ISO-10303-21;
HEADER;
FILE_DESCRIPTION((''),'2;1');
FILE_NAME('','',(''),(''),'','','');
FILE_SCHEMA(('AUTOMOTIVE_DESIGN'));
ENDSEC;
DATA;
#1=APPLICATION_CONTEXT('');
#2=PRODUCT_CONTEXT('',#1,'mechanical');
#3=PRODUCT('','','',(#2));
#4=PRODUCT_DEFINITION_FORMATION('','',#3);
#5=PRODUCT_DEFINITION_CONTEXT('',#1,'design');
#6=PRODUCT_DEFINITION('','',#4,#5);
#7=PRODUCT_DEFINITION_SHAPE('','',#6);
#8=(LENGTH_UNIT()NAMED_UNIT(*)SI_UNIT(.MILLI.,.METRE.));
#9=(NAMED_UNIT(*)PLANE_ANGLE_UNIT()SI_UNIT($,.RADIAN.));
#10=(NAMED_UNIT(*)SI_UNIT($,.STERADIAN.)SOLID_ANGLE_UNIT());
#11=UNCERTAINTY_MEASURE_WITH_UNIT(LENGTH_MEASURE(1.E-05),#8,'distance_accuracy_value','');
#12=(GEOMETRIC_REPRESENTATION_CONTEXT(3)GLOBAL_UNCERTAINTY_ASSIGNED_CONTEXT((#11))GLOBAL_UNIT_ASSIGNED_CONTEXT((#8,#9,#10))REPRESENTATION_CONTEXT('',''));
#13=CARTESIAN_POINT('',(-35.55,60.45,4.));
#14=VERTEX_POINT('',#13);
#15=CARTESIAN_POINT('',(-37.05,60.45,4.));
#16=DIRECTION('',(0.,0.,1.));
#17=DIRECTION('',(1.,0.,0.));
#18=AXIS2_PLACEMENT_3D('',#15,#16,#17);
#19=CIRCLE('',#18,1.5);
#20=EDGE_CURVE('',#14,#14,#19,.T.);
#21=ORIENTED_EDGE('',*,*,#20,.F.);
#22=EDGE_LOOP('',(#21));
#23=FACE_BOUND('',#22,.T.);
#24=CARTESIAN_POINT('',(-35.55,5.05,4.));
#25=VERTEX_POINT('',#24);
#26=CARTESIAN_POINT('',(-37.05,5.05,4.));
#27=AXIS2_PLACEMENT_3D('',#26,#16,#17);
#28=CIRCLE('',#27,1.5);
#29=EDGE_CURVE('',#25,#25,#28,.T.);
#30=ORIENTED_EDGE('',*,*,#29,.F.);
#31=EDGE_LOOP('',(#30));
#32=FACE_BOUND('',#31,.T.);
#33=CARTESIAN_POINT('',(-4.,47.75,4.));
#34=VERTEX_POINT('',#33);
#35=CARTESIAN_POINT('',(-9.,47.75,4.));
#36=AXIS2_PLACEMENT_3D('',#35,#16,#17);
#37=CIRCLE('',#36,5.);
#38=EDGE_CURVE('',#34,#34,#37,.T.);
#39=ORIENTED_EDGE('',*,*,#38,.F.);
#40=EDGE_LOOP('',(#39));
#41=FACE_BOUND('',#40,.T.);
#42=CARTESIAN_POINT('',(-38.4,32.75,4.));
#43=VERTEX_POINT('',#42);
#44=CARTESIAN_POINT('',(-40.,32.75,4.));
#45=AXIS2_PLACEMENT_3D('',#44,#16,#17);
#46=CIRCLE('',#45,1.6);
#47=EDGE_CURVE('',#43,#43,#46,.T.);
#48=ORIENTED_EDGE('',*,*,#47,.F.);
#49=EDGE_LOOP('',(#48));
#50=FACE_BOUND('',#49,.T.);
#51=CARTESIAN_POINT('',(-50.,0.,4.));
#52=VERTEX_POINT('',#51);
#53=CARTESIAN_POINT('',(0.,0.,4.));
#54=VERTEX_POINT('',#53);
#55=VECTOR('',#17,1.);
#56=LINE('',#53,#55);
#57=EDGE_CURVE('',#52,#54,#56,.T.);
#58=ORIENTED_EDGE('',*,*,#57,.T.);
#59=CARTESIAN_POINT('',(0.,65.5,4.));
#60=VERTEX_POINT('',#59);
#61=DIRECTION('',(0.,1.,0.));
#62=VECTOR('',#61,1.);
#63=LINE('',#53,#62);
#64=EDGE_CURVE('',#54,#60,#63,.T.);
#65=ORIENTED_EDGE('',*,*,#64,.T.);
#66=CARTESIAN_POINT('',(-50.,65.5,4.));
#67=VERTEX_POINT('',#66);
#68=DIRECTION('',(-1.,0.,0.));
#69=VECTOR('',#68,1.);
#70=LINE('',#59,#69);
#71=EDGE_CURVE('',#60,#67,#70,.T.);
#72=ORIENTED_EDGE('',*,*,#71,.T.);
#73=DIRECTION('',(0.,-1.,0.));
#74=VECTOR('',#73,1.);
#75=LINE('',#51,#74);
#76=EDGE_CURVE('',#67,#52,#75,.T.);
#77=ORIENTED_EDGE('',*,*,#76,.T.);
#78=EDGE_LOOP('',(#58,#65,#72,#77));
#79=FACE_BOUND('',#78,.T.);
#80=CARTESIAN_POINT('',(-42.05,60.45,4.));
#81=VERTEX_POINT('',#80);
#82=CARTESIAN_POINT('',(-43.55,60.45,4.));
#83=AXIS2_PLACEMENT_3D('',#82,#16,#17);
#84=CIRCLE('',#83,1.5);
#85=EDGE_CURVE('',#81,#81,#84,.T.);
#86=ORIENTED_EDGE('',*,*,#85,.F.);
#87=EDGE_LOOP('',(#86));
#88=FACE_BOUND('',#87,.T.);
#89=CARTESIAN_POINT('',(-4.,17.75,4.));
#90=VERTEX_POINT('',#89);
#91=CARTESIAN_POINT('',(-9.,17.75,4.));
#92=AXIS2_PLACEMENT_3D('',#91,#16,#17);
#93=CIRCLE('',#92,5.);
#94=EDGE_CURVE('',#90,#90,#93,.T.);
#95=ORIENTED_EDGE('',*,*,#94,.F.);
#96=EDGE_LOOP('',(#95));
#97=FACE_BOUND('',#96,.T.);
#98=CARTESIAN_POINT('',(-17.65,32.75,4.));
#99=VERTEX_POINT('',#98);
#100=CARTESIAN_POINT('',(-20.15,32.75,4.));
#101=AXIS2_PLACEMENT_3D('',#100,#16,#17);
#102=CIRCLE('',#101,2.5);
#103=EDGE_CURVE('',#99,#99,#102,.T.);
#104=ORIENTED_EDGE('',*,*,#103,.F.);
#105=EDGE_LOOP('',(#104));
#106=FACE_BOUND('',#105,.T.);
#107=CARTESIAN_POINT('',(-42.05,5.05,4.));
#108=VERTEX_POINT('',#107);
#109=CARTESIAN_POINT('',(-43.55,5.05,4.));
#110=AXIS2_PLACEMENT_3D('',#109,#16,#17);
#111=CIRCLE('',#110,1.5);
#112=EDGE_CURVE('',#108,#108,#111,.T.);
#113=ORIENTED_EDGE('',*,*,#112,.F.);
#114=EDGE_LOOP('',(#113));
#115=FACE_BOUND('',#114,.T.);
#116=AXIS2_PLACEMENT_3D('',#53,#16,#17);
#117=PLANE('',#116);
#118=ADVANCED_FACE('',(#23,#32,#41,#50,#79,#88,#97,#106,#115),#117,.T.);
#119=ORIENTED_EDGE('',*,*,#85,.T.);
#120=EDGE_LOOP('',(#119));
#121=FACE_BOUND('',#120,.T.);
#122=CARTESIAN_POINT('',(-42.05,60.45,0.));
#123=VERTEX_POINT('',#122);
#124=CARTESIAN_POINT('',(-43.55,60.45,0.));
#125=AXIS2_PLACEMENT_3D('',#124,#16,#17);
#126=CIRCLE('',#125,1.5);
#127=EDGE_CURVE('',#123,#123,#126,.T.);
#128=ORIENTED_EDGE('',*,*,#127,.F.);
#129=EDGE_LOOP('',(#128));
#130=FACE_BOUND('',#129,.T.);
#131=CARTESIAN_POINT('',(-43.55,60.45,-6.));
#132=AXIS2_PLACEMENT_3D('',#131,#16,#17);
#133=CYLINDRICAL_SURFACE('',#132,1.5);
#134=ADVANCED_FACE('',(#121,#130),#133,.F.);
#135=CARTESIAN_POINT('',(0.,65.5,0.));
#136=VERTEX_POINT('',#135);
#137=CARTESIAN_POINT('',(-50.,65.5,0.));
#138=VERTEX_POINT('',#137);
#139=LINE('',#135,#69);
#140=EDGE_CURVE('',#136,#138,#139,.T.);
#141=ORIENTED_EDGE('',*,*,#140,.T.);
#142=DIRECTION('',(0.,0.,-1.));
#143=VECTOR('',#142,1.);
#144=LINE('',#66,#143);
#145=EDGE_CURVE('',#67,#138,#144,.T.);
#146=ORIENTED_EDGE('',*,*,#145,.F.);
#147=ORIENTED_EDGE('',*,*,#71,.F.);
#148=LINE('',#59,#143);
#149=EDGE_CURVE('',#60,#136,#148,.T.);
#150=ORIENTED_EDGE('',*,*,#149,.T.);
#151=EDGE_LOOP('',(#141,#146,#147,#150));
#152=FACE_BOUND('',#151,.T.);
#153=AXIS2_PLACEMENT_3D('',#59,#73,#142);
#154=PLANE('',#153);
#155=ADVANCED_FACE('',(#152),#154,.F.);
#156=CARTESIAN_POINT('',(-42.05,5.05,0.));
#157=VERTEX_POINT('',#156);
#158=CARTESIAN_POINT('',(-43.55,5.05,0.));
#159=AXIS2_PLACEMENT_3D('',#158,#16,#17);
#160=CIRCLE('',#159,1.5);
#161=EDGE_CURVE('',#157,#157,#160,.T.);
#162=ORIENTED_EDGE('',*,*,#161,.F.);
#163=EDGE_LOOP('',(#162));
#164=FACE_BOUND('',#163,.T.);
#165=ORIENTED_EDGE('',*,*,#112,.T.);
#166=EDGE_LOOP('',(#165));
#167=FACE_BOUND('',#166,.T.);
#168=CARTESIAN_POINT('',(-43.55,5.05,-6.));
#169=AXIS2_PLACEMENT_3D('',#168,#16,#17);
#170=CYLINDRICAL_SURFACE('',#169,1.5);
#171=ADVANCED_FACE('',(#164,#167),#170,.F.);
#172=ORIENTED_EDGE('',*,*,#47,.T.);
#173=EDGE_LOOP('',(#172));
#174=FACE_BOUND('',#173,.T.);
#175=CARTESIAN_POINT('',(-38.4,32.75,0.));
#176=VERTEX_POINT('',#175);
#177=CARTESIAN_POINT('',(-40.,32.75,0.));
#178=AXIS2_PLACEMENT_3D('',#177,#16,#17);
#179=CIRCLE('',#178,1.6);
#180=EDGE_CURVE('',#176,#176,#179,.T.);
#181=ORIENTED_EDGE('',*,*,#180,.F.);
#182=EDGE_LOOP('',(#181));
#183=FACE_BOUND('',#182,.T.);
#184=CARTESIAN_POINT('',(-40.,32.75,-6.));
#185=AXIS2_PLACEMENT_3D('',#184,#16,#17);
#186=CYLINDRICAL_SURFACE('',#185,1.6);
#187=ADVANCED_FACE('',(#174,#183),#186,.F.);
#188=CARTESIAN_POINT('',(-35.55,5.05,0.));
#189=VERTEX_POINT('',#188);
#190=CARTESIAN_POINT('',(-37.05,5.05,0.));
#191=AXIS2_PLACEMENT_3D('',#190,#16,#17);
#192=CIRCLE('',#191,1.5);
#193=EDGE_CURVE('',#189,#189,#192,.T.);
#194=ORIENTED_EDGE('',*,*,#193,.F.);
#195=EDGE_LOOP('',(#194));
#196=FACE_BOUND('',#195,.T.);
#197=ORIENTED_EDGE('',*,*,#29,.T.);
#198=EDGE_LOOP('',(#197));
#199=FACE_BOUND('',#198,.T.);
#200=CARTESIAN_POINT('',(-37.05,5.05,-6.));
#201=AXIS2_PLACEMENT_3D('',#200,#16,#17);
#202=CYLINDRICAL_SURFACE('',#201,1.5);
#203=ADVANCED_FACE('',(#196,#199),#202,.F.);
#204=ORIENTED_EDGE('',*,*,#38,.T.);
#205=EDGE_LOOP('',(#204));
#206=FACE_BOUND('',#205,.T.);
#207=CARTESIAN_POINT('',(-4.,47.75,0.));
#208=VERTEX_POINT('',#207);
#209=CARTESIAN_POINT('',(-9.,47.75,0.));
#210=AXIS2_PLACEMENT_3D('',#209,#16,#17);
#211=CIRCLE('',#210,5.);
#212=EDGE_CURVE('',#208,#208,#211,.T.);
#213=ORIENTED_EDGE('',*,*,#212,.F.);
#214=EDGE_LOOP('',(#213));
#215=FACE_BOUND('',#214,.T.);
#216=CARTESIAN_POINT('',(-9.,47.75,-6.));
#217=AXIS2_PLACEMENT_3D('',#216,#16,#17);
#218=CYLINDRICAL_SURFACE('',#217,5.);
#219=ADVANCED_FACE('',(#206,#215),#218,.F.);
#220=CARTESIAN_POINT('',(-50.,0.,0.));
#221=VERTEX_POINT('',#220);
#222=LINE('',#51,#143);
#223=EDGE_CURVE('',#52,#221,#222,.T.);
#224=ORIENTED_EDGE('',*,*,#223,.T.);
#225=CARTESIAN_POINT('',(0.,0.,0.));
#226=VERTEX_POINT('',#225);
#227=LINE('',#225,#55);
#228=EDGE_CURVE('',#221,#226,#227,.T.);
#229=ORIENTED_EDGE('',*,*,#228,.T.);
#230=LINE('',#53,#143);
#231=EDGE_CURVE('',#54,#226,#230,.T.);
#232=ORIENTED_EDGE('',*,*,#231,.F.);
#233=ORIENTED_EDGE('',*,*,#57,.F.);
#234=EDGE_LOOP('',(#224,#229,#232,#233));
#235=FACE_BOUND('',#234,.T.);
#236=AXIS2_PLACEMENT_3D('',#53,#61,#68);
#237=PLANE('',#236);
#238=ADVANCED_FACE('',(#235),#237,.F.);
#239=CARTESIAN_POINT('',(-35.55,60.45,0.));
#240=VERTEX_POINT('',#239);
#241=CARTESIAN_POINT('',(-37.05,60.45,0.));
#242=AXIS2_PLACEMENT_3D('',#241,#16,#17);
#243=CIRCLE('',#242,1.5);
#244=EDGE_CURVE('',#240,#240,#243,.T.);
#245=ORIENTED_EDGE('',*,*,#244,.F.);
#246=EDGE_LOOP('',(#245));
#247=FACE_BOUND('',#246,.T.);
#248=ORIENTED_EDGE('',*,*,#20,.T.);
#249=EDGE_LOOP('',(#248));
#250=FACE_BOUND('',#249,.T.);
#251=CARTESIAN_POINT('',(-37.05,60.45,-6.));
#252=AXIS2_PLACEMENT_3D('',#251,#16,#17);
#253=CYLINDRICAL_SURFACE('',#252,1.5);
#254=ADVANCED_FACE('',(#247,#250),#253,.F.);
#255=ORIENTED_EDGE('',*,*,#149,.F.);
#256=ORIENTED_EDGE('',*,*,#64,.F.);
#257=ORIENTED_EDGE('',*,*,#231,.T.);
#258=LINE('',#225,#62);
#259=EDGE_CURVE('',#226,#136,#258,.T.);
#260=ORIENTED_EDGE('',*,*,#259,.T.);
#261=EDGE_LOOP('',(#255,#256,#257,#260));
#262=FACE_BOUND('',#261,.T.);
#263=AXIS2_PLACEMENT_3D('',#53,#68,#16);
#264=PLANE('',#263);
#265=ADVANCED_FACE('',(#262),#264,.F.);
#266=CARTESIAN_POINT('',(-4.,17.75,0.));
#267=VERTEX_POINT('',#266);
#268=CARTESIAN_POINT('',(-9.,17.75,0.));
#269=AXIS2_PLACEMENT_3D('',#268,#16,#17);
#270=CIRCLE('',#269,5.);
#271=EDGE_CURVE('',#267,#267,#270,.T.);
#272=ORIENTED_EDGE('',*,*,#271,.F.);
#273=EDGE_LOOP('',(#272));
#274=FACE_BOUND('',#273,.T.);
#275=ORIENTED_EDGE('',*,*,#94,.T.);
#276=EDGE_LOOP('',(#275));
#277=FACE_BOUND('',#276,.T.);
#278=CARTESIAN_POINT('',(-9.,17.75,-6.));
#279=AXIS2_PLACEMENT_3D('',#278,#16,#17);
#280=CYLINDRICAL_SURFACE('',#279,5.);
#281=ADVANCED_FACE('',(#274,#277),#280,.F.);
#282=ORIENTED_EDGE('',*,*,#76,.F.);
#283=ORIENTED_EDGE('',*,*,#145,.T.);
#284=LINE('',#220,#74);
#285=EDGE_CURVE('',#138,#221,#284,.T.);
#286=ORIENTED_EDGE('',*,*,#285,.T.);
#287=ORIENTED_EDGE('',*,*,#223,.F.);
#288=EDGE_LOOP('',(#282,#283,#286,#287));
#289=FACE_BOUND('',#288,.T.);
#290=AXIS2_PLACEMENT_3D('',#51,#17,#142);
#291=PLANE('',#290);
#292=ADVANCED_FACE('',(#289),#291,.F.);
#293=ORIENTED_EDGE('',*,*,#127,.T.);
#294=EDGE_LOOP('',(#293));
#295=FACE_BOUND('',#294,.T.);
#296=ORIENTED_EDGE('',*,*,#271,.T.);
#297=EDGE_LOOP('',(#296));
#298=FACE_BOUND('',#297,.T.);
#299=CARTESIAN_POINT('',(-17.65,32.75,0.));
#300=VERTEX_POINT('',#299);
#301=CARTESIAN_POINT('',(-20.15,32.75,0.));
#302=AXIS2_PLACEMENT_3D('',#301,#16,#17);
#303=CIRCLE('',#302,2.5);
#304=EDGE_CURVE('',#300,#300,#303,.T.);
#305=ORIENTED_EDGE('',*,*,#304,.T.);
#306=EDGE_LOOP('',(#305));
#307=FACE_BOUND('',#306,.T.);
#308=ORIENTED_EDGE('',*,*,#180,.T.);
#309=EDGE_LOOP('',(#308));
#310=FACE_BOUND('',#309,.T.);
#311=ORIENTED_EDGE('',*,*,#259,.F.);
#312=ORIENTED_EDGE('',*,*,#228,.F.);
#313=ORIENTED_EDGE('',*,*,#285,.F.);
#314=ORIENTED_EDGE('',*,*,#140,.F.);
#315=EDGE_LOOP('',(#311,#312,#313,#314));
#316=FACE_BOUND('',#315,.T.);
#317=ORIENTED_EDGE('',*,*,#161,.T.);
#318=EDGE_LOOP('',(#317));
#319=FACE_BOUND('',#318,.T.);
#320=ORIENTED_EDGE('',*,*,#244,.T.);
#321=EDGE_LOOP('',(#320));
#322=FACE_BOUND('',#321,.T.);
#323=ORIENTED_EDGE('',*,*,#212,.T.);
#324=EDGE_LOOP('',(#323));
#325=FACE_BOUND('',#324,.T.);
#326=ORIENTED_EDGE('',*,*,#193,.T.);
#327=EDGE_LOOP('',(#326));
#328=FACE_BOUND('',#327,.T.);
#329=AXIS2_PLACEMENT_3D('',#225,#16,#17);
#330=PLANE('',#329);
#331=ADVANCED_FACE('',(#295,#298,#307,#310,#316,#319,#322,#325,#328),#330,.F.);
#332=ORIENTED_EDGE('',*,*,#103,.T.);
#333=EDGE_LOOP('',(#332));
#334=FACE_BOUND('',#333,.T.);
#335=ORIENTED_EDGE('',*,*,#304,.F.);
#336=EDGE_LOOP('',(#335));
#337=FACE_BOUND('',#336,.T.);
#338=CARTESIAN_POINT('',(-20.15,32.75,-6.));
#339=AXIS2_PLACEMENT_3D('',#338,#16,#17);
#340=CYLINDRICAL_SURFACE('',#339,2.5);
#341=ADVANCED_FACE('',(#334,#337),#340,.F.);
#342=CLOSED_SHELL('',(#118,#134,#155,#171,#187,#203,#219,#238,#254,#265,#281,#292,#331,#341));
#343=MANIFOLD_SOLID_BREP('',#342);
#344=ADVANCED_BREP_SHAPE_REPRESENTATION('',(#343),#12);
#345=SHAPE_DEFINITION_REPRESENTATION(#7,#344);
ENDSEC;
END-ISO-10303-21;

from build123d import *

# Parameters (mm, degrees)
SKETCH1_W           = 50
SKETCH1_H           = 65.5
BOSS_EXTRUDE1_DEPTH = 4
SKETCH4_R           = 5
SKETCH4_R_2         = 1.5
SKETCH4_R_3         = 1.6
SKETCH4_R_4         = 2.5
CUT_EXTRUDE2_DEPTH  = 10


with BuildPart() as part:
    # Sketch1 → Boss-Extrude1 (new body)
    with BuildSketch(Plane.XY):
        with Locations((-25, 32.75)):
            Rectangle(SKETCH1_W, SKETCH1_H)
    extrude(amount=BOSS_EXTRUDE1_DEPTH)

    # Sketch4 → Cut-Extrude2 (cut)
    with BuildSketch(Plane.XY.offset(4)):
        with Locations((-9, 47.75)):
            Circle(SKETCH4_R)
        with Locations((-37.05, 60.45)):
            Circle(SKETCH4_R_2)
        with Locations((-43.55, 60.45)):
            Circle(SKETCH4_R_2)
        with Locations((-40, 32.75)):
            Circle(SKETCH4_R_3)
        with Locations((-20.15, 32.75)):
            Circle(SKETCH4_R_4)
        with Locations((-9, 17.75)):
            Circle(SKETCH4_R)
        with Locations((-37.05, 5.05)):
            Circle(SKETCH4_R_2)
        with Locations((-43.55, 5.05)):
            Circle(SKETCH4_R_2)
    extrude(amount=-CUT_EXTRUDE2_DEPTH, mode=Mode.SUBTRACT)


solid = part.part
